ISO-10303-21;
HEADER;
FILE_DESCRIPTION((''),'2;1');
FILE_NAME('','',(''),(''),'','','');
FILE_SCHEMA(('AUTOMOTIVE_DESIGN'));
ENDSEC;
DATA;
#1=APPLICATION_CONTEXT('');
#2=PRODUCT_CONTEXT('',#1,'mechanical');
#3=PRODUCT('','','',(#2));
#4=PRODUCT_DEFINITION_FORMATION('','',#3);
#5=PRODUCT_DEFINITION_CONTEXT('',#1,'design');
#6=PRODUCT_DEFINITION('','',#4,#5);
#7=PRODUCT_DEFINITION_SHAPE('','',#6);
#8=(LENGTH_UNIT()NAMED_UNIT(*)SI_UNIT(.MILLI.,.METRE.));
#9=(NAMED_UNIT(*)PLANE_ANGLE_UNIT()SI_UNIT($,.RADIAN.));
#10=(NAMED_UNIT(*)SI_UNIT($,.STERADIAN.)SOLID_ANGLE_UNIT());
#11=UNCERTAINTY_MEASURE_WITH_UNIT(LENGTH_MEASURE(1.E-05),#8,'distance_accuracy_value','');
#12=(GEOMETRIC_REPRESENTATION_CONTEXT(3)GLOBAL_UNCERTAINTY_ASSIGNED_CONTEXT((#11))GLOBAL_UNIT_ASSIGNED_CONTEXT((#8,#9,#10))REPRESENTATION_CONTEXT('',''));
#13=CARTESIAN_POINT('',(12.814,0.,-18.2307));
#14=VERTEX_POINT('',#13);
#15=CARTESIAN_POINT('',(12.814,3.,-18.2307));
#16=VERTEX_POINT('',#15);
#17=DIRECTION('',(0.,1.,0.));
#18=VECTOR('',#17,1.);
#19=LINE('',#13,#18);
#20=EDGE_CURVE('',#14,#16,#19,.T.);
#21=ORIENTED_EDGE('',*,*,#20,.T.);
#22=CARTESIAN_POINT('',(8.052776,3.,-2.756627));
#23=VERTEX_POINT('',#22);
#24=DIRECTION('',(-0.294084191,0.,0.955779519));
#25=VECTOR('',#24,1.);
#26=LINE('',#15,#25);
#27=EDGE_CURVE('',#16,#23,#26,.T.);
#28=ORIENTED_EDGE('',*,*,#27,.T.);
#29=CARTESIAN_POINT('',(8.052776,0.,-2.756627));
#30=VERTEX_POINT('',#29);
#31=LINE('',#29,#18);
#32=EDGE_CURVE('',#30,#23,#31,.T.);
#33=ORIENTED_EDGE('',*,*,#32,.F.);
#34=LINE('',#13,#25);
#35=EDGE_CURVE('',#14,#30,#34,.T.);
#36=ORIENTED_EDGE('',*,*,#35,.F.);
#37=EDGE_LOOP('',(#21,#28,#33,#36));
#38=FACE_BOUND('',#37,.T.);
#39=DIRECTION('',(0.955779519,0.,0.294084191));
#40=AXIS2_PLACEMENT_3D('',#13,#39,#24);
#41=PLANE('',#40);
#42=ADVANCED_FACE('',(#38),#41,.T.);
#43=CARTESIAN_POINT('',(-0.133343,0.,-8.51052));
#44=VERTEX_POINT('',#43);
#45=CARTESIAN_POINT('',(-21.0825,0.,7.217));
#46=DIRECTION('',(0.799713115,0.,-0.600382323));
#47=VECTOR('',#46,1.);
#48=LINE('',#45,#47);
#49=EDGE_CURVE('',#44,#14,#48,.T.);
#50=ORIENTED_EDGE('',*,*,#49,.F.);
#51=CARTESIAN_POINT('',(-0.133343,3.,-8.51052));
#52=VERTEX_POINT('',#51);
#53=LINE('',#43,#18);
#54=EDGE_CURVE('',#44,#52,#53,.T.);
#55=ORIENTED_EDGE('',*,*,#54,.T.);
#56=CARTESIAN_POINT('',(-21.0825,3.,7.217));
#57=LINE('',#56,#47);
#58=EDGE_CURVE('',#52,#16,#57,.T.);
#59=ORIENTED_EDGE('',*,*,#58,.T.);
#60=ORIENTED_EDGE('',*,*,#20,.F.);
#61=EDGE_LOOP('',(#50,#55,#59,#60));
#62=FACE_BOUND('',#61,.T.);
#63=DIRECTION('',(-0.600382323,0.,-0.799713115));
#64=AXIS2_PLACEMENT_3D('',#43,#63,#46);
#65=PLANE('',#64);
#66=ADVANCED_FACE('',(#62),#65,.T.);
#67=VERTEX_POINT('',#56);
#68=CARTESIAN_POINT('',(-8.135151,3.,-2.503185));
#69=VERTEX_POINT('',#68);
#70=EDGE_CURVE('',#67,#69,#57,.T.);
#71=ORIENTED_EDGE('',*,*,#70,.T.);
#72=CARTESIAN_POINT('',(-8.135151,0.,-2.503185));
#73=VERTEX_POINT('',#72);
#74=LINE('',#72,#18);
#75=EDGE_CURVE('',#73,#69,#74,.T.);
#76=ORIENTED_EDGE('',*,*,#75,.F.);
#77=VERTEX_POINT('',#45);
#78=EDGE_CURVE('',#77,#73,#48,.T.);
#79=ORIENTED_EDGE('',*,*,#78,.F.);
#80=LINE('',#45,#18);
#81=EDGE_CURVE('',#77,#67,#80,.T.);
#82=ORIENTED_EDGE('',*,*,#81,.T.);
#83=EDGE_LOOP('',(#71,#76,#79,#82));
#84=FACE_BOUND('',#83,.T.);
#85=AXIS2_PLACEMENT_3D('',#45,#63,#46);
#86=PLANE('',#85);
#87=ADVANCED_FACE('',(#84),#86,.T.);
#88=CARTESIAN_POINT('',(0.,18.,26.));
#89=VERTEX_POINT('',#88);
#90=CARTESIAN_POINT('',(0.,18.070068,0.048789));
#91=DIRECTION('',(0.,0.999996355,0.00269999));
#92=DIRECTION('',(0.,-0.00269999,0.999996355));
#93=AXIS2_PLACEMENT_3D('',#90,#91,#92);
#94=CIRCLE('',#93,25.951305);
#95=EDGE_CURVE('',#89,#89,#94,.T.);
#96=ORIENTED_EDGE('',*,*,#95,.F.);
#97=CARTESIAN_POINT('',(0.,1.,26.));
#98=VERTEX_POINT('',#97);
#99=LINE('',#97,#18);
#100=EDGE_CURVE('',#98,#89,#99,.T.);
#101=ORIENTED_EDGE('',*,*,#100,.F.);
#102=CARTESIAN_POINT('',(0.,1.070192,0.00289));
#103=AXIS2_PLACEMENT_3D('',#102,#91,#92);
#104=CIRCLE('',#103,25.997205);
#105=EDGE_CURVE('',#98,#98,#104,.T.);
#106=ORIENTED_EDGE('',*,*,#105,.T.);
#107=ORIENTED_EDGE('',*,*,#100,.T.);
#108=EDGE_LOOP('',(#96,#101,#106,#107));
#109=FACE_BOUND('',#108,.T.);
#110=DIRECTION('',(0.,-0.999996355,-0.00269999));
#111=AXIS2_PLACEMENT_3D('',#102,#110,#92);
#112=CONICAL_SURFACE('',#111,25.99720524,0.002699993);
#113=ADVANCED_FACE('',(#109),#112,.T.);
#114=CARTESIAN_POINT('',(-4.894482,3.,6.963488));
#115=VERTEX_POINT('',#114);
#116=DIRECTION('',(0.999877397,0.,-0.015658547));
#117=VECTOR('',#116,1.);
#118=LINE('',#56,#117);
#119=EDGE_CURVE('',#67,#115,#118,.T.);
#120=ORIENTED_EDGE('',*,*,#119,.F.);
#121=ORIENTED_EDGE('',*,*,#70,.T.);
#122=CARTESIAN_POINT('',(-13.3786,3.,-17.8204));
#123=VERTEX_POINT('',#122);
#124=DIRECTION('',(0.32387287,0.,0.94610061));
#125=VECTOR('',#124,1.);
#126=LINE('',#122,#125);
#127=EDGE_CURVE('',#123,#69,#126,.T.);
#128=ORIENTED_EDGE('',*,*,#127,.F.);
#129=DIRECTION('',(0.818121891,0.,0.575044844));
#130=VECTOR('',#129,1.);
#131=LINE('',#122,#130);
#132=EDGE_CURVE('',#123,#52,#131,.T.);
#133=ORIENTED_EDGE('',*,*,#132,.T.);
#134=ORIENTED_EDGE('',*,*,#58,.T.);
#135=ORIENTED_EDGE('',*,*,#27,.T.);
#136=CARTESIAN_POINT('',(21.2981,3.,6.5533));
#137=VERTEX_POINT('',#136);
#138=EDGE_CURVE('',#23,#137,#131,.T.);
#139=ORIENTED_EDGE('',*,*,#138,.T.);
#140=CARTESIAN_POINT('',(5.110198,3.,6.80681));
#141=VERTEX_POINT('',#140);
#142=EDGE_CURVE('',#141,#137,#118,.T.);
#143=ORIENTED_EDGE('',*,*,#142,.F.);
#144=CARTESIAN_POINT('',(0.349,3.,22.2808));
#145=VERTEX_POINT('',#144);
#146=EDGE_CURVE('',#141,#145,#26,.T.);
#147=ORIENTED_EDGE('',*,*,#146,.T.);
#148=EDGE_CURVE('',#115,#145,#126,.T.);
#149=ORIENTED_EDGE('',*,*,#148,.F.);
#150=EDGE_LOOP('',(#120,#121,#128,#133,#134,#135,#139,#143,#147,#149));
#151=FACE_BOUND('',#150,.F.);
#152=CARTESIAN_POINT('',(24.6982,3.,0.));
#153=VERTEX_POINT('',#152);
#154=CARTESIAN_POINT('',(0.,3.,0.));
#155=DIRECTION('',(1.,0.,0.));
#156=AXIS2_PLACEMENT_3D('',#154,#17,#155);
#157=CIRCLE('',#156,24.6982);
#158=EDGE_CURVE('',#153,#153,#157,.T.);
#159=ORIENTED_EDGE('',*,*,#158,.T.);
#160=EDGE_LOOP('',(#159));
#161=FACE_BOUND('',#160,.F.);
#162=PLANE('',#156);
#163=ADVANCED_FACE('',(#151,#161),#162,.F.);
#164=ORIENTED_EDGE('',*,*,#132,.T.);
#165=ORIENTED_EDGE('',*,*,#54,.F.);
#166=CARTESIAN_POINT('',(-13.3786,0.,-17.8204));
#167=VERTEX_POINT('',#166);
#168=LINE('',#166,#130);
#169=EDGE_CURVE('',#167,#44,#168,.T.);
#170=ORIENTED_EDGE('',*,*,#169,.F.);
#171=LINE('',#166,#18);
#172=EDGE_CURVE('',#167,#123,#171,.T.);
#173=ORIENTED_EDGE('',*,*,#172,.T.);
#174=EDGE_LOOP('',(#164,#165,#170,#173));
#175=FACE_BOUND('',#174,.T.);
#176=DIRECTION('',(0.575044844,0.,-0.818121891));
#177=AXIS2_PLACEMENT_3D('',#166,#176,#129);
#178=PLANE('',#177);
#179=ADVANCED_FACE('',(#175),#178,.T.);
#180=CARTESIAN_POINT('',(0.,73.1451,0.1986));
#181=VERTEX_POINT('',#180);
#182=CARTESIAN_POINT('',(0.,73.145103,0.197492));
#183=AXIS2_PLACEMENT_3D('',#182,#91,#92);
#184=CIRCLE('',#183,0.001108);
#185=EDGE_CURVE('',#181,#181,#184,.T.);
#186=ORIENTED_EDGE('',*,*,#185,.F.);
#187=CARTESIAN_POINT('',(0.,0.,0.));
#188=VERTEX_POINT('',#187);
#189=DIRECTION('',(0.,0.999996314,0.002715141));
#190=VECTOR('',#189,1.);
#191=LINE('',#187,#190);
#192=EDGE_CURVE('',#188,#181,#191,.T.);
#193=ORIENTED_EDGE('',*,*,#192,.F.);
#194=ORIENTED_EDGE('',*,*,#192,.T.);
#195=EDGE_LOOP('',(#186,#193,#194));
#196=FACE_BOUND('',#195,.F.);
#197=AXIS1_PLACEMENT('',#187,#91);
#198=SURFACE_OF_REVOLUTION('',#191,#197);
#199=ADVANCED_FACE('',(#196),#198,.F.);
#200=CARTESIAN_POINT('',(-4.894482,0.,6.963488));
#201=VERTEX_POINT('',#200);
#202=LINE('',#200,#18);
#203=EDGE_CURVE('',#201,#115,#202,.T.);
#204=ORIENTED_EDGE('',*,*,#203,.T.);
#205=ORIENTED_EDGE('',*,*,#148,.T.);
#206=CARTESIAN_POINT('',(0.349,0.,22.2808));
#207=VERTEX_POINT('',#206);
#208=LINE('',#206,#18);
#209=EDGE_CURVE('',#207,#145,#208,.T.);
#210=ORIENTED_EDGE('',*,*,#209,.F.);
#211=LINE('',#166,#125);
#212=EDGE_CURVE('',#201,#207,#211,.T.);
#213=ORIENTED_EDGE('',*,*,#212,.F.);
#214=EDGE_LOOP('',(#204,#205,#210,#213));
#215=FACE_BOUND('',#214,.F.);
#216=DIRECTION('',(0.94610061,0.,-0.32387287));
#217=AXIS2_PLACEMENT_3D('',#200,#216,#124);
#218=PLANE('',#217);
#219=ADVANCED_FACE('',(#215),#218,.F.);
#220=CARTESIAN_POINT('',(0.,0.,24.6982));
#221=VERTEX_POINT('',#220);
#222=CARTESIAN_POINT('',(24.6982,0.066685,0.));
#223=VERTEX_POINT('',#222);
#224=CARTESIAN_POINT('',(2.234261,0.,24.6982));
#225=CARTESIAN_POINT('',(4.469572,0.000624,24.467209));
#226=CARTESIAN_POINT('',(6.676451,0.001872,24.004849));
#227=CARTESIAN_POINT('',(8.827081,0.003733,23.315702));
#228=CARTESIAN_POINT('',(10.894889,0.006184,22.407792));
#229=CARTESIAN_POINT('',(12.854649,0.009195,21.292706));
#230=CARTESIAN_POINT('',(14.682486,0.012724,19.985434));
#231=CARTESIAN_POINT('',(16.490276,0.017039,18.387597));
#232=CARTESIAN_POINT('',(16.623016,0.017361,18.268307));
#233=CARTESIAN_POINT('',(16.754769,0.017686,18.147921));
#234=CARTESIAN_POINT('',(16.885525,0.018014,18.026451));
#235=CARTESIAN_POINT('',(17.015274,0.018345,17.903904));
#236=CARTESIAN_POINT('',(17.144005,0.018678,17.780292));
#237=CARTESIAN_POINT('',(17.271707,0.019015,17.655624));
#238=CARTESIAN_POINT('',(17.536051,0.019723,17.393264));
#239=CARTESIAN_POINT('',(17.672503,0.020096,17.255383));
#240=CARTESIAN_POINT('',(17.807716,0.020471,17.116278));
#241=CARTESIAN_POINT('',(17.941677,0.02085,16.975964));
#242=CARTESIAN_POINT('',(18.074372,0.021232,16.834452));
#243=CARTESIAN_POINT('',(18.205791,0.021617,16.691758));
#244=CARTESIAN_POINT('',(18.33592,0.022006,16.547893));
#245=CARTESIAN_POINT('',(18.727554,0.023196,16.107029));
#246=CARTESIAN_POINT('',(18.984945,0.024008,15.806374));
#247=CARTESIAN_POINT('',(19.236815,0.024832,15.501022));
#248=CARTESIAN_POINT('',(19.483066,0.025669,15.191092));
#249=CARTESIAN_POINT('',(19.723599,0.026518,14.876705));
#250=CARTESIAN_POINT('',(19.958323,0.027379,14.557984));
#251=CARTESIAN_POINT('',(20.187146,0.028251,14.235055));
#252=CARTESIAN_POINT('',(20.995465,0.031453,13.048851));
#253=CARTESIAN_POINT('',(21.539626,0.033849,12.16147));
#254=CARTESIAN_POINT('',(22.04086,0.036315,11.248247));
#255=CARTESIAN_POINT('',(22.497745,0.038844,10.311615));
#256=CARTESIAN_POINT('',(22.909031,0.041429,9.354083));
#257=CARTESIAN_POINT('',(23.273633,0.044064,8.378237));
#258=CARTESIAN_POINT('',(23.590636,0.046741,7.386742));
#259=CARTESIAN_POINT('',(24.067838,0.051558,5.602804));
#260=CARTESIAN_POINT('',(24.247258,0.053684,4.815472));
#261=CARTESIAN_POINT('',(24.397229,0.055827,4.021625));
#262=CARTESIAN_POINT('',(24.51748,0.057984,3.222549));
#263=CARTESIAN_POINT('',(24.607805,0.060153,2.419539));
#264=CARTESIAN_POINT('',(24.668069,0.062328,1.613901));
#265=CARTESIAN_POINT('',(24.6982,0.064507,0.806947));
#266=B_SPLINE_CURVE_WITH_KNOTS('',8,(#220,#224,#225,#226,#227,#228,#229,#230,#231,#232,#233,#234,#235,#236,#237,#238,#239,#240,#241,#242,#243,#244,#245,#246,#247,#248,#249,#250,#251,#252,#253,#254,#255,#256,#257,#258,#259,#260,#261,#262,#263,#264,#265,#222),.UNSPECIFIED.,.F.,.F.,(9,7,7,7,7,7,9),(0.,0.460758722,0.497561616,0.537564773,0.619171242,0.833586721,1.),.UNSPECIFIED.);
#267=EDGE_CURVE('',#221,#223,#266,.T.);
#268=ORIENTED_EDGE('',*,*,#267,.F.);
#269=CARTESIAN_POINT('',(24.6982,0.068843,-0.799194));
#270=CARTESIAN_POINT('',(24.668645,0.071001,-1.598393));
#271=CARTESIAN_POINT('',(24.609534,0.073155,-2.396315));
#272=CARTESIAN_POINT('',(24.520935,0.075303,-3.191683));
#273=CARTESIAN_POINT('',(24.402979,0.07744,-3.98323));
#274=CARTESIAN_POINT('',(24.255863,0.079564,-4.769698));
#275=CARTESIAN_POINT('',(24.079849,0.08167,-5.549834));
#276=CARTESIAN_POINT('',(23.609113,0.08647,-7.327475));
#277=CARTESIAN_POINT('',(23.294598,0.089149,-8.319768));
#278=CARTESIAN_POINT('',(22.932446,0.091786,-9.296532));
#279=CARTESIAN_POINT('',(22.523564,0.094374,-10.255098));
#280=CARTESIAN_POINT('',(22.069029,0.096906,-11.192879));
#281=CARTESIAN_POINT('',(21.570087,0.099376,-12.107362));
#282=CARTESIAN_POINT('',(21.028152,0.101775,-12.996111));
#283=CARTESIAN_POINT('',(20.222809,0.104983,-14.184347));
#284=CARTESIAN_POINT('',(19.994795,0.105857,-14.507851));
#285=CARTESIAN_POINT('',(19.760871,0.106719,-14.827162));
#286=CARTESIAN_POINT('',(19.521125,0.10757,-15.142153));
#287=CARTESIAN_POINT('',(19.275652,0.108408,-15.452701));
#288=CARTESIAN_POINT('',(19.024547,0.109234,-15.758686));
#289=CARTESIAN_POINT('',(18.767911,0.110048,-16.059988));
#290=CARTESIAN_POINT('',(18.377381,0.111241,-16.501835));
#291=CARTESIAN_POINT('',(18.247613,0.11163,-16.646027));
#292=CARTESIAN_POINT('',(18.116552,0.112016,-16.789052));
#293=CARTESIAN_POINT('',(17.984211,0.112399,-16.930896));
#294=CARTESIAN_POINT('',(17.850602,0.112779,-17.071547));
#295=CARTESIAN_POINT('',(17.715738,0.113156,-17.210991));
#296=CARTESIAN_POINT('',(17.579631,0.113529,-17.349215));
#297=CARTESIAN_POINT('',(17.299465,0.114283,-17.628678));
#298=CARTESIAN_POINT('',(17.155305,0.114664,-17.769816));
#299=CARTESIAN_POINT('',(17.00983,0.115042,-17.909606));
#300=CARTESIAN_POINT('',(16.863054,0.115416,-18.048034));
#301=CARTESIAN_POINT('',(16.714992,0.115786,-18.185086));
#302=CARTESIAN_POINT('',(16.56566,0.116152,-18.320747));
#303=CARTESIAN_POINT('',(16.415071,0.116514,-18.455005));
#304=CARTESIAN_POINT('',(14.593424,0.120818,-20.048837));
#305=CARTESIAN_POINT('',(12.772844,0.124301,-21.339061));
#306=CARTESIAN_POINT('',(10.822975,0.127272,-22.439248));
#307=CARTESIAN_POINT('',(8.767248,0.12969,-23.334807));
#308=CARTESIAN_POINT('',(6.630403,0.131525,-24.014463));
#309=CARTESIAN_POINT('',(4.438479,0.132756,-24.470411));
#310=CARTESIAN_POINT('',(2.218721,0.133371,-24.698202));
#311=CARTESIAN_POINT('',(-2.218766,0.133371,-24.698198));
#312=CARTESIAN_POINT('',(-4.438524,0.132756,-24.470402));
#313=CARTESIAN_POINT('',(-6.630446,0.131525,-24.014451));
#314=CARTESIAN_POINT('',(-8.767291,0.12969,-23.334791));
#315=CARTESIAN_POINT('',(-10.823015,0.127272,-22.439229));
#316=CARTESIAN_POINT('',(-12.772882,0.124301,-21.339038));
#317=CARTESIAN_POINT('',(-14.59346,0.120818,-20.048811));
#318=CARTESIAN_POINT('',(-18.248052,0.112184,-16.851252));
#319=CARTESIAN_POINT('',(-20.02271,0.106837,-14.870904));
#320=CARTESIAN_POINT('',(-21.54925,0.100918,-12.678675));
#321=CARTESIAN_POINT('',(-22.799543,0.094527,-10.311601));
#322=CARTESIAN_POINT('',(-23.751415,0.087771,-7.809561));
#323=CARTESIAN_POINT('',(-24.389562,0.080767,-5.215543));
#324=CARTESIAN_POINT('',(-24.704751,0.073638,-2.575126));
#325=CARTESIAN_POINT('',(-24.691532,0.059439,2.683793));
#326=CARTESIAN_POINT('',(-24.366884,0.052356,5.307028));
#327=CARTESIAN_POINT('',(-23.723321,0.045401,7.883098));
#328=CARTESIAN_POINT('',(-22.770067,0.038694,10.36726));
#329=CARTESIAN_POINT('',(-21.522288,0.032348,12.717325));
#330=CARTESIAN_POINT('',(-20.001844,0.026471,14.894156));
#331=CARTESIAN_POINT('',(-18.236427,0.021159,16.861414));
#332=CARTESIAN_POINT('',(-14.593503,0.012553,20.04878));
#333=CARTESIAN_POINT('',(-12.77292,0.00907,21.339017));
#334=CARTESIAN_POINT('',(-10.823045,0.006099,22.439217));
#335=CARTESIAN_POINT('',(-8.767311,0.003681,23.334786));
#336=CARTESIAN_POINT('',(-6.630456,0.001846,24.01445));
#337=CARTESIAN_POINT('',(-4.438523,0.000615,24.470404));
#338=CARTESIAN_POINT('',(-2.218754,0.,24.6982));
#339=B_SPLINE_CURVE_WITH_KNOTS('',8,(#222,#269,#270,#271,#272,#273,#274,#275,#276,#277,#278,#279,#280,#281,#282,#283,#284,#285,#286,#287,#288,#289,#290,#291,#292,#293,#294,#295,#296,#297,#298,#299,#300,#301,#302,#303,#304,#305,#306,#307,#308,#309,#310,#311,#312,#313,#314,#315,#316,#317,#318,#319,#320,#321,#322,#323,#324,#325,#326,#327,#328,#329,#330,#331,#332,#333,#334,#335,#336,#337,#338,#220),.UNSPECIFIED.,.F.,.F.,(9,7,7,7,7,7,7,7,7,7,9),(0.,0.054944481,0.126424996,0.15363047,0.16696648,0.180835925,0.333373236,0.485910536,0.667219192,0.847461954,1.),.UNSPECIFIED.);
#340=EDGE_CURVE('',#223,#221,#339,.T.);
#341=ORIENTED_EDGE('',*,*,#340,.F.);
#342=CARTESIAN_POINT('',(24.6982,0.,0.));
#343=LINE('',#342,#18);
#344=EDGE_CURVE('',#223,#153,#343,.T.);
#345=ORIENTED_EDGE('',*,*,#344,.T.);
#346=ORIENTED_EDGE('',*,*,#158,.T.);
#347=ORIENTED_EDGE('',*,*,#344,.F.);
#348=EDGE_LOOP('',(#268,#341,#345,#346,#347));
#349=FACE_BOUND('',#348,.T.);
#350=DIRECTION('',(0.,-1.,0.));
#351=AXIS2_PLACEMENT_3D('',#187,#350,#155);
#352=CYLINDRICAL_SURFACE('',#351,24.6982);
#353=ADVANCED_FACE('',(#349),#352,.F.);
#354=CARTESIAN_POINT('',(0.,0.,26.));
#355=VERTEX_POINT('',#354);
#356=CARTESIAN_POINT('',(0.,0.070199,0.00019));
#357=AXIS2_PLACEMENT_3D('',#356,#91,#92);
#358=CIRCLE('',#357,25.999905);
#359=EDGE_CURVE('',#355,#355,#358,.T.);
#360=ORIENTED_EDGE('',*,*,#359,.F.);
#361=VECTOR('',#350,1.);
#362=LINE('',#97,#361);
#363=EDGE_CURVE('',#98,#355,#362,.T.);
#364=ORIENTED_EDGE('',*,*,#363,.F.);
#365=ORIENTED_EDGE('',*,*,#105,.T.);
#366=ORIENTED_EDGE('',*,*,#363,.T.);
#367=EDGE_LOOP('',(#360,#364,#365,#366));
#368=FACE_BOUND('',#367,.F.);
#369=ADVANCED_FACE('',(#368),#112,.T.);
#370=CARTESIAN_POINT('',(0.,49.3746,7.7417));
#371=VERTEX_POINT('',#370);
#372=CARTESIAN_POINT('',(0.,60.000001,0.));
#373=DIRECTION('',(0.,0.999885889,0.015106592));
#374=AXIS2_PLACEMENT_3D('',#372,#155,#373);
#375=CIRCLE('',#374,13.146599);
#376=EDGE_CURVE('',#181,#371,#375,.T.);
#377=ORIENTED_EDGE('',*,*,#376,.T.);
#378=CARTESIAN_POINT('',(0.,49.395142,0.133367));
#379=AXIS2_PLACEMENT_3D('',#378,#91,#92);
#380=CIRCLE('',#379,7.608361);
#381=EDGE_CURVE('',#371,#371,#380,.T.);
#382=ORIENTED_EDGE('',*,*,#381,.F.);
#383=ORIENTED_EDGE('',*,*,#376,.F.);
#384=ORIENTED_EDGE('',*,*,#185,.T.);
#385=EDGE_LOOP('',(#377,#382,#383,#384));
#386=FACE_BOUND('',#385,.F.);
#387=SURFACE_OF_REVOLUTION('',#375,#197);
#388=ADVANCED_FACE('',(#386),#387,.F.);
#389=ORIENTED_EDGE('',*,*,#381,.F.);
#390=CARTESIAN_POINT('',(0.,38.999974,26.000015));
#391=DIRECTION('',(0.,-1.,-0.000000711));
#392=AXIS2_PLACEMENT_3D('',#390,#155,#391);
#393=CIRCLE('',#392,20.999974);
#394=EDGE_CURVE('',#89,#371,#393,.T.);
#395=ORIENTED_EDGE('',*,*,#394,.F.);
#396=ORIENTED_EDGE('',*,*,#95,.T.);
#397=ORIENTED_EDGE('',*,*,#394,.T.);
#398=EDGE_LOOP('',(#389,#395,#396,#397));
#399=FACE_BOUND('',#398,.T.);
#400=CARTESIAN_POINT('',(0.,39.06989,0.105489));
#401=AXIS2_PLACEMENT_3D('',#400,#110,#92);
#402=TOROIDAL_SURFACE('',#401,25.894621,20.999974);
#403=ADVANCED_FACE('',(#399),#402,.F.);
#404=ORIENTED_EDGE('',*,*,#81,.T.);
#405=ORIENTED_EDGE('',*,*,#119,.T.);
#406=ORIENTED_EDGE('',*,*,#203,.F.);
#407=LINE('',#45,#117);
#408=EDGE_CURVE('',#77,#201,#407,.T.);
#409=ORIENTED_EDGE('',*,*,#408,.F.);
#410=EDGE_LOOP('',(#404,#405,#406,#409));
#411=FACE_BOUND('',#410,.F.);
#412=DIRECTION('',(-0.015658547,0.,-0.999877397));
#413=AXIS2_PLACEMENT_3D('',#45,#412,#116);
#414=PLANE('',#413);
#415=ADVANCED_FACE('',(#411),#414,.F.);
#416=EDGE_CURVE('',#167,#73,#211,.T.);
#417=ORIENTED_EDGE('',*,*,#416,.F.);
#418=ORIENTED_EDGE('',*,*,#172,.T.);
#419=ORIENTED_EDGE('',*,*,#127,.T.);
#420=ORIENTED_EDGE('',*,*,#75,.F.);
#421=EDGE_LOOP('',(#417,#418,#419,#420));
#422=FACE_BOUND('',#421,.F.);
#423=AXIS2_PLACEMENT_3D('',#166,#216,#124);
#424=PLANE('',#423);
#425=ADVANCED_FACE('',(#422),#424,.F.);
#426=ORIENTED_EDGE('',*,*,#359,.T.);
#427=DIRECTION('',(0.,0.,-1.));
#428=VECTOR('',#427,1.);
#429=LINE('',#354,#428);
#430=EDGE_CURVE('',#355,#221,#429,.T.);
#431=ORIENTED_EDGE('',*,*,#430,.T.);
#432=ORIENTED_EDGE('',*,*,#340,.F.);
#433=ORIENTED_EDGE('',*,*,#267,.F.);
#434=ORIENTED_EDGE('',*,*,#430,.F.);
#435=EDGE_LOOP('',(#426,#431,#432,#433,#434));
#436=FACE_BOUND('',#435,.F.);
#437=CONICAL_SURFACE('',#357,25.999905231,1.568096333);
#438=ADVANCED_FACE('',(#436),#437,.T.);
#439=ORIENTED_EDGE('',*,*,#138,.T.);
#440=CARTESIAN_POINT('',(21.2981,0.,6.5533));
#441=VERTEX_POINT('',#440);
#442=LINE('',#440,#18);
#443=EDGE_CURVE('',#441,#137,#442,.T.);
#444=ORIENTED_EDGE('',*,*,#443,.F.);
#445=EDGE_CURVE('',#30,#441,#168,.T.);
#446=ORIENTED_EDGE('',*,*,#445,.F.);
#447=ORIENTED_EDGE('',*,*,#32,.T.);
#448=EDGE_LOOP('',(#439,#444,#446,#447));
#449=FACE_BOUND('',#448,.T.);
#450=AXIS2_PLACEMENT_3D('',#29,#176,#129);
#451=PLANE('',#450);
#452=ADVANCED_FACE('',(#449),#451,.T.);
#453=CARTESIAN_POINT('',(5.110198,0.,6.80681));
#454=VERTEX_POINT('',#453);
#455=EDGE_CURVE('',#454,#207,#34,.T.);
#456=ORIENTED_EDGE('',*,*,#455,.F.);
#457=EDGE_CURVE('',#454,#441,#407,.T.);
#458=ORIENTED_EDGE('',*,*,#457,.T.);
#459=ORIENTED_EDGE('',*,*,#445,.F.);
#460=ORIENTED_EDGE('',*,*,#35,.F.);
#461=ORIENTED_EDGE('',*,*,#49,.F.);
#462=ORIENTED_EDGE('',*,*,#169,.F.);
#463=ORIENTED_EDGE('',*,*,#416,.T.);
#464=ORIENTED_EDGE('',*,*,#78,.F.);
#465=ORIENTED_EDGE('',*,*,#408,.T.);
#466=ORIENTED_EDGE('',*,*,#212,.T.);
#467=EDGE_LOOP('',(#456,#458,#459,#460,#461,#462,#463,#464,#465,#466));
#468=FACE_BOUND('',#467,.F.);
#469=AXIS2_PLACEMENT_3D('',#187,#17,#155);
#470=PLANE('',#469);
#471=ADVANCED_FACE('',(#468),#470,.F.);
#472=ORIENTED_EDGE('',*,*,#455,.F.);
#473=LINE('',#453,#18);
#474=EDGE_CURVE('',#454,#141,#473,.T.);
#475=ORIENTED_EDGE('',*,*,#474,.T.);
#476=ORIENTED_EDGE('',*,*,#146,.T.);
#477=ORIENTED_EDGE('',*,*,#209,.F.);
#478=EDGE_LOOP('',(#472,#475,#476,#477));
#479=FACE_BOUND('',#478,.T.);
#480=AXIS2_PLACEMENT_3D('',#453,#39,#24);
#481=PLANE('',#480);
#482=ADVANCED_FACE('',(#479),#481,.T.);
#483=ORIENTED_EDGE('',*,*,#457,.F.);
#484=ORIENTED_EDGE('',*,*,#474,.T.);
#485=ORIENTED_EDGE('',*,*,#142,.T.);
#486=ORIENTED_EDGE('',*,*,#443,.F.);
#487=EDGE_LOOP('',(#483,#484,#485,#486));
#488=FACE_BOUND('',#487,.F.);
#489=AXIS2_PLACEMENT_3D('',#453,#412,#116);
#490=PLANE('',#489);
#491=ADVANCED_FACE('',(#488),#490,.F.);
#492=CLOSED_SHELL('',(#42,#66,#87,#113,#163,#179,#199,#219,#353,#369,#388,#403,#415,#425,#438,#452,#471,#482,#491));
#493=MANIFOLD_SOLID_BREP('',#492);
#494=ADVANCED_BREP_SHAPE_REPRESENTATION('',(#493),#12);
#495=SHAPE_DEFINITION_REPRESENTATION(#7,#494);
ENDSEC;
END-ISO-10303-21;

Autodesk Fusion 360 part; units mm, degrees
sketch "草图1" plane through (0, 0, 0) normal (1, 0, 0) x (0, 0, -1)
  line L0 (-26, 1) -> (-26, 18)
  arc A0 (-26, 18) -> (-7.7417, 49.3746) centre (-26, 39) ccw
  arc A1 (-0.1986, 73.1451) -> (-7.7417, 49.3746) centre (0, 60) ccw
  line L1 (-26, 1) -> (-26, 0)
  line L2 (-26, 0) -> (0, 0)
  line L3 (0, 0) -> (-0.1986, 73.1451)
revolve "旋转1" add sketch "草图1" angle 360 about axis through (0, 0, 0) along (0, 1, 0.0027)
sketch "草图2" plane through (0, 0, 0) normal (0, 1, 0) x (1, 0, 0)
  circle A0 centre (0, 0) radius 24.6982
extrude "拉伸1" cut sketch "草图2" along normal blind 3
sketch "草图3" plane through (0, 0, 0) normal (0, 1, 0) x (1, 0, 0)
  line L0 (-21.0825, -7.217) -> (21.2981, -6.5533)
  line L1 (-13.3786, 17.8204) -> (0.349, -22.2808)
  line L2 (12.814, 18.2307) -> (0.349, -22.2808)
  line L3 (-21.0825, -7.217) -> (12.814, 18.2307)
  line L4 (-13.3786, 17.8204) -> (21.2981, -6.5533)
extrude "拉伸2" add sketch "草图3" along normal blind 3
